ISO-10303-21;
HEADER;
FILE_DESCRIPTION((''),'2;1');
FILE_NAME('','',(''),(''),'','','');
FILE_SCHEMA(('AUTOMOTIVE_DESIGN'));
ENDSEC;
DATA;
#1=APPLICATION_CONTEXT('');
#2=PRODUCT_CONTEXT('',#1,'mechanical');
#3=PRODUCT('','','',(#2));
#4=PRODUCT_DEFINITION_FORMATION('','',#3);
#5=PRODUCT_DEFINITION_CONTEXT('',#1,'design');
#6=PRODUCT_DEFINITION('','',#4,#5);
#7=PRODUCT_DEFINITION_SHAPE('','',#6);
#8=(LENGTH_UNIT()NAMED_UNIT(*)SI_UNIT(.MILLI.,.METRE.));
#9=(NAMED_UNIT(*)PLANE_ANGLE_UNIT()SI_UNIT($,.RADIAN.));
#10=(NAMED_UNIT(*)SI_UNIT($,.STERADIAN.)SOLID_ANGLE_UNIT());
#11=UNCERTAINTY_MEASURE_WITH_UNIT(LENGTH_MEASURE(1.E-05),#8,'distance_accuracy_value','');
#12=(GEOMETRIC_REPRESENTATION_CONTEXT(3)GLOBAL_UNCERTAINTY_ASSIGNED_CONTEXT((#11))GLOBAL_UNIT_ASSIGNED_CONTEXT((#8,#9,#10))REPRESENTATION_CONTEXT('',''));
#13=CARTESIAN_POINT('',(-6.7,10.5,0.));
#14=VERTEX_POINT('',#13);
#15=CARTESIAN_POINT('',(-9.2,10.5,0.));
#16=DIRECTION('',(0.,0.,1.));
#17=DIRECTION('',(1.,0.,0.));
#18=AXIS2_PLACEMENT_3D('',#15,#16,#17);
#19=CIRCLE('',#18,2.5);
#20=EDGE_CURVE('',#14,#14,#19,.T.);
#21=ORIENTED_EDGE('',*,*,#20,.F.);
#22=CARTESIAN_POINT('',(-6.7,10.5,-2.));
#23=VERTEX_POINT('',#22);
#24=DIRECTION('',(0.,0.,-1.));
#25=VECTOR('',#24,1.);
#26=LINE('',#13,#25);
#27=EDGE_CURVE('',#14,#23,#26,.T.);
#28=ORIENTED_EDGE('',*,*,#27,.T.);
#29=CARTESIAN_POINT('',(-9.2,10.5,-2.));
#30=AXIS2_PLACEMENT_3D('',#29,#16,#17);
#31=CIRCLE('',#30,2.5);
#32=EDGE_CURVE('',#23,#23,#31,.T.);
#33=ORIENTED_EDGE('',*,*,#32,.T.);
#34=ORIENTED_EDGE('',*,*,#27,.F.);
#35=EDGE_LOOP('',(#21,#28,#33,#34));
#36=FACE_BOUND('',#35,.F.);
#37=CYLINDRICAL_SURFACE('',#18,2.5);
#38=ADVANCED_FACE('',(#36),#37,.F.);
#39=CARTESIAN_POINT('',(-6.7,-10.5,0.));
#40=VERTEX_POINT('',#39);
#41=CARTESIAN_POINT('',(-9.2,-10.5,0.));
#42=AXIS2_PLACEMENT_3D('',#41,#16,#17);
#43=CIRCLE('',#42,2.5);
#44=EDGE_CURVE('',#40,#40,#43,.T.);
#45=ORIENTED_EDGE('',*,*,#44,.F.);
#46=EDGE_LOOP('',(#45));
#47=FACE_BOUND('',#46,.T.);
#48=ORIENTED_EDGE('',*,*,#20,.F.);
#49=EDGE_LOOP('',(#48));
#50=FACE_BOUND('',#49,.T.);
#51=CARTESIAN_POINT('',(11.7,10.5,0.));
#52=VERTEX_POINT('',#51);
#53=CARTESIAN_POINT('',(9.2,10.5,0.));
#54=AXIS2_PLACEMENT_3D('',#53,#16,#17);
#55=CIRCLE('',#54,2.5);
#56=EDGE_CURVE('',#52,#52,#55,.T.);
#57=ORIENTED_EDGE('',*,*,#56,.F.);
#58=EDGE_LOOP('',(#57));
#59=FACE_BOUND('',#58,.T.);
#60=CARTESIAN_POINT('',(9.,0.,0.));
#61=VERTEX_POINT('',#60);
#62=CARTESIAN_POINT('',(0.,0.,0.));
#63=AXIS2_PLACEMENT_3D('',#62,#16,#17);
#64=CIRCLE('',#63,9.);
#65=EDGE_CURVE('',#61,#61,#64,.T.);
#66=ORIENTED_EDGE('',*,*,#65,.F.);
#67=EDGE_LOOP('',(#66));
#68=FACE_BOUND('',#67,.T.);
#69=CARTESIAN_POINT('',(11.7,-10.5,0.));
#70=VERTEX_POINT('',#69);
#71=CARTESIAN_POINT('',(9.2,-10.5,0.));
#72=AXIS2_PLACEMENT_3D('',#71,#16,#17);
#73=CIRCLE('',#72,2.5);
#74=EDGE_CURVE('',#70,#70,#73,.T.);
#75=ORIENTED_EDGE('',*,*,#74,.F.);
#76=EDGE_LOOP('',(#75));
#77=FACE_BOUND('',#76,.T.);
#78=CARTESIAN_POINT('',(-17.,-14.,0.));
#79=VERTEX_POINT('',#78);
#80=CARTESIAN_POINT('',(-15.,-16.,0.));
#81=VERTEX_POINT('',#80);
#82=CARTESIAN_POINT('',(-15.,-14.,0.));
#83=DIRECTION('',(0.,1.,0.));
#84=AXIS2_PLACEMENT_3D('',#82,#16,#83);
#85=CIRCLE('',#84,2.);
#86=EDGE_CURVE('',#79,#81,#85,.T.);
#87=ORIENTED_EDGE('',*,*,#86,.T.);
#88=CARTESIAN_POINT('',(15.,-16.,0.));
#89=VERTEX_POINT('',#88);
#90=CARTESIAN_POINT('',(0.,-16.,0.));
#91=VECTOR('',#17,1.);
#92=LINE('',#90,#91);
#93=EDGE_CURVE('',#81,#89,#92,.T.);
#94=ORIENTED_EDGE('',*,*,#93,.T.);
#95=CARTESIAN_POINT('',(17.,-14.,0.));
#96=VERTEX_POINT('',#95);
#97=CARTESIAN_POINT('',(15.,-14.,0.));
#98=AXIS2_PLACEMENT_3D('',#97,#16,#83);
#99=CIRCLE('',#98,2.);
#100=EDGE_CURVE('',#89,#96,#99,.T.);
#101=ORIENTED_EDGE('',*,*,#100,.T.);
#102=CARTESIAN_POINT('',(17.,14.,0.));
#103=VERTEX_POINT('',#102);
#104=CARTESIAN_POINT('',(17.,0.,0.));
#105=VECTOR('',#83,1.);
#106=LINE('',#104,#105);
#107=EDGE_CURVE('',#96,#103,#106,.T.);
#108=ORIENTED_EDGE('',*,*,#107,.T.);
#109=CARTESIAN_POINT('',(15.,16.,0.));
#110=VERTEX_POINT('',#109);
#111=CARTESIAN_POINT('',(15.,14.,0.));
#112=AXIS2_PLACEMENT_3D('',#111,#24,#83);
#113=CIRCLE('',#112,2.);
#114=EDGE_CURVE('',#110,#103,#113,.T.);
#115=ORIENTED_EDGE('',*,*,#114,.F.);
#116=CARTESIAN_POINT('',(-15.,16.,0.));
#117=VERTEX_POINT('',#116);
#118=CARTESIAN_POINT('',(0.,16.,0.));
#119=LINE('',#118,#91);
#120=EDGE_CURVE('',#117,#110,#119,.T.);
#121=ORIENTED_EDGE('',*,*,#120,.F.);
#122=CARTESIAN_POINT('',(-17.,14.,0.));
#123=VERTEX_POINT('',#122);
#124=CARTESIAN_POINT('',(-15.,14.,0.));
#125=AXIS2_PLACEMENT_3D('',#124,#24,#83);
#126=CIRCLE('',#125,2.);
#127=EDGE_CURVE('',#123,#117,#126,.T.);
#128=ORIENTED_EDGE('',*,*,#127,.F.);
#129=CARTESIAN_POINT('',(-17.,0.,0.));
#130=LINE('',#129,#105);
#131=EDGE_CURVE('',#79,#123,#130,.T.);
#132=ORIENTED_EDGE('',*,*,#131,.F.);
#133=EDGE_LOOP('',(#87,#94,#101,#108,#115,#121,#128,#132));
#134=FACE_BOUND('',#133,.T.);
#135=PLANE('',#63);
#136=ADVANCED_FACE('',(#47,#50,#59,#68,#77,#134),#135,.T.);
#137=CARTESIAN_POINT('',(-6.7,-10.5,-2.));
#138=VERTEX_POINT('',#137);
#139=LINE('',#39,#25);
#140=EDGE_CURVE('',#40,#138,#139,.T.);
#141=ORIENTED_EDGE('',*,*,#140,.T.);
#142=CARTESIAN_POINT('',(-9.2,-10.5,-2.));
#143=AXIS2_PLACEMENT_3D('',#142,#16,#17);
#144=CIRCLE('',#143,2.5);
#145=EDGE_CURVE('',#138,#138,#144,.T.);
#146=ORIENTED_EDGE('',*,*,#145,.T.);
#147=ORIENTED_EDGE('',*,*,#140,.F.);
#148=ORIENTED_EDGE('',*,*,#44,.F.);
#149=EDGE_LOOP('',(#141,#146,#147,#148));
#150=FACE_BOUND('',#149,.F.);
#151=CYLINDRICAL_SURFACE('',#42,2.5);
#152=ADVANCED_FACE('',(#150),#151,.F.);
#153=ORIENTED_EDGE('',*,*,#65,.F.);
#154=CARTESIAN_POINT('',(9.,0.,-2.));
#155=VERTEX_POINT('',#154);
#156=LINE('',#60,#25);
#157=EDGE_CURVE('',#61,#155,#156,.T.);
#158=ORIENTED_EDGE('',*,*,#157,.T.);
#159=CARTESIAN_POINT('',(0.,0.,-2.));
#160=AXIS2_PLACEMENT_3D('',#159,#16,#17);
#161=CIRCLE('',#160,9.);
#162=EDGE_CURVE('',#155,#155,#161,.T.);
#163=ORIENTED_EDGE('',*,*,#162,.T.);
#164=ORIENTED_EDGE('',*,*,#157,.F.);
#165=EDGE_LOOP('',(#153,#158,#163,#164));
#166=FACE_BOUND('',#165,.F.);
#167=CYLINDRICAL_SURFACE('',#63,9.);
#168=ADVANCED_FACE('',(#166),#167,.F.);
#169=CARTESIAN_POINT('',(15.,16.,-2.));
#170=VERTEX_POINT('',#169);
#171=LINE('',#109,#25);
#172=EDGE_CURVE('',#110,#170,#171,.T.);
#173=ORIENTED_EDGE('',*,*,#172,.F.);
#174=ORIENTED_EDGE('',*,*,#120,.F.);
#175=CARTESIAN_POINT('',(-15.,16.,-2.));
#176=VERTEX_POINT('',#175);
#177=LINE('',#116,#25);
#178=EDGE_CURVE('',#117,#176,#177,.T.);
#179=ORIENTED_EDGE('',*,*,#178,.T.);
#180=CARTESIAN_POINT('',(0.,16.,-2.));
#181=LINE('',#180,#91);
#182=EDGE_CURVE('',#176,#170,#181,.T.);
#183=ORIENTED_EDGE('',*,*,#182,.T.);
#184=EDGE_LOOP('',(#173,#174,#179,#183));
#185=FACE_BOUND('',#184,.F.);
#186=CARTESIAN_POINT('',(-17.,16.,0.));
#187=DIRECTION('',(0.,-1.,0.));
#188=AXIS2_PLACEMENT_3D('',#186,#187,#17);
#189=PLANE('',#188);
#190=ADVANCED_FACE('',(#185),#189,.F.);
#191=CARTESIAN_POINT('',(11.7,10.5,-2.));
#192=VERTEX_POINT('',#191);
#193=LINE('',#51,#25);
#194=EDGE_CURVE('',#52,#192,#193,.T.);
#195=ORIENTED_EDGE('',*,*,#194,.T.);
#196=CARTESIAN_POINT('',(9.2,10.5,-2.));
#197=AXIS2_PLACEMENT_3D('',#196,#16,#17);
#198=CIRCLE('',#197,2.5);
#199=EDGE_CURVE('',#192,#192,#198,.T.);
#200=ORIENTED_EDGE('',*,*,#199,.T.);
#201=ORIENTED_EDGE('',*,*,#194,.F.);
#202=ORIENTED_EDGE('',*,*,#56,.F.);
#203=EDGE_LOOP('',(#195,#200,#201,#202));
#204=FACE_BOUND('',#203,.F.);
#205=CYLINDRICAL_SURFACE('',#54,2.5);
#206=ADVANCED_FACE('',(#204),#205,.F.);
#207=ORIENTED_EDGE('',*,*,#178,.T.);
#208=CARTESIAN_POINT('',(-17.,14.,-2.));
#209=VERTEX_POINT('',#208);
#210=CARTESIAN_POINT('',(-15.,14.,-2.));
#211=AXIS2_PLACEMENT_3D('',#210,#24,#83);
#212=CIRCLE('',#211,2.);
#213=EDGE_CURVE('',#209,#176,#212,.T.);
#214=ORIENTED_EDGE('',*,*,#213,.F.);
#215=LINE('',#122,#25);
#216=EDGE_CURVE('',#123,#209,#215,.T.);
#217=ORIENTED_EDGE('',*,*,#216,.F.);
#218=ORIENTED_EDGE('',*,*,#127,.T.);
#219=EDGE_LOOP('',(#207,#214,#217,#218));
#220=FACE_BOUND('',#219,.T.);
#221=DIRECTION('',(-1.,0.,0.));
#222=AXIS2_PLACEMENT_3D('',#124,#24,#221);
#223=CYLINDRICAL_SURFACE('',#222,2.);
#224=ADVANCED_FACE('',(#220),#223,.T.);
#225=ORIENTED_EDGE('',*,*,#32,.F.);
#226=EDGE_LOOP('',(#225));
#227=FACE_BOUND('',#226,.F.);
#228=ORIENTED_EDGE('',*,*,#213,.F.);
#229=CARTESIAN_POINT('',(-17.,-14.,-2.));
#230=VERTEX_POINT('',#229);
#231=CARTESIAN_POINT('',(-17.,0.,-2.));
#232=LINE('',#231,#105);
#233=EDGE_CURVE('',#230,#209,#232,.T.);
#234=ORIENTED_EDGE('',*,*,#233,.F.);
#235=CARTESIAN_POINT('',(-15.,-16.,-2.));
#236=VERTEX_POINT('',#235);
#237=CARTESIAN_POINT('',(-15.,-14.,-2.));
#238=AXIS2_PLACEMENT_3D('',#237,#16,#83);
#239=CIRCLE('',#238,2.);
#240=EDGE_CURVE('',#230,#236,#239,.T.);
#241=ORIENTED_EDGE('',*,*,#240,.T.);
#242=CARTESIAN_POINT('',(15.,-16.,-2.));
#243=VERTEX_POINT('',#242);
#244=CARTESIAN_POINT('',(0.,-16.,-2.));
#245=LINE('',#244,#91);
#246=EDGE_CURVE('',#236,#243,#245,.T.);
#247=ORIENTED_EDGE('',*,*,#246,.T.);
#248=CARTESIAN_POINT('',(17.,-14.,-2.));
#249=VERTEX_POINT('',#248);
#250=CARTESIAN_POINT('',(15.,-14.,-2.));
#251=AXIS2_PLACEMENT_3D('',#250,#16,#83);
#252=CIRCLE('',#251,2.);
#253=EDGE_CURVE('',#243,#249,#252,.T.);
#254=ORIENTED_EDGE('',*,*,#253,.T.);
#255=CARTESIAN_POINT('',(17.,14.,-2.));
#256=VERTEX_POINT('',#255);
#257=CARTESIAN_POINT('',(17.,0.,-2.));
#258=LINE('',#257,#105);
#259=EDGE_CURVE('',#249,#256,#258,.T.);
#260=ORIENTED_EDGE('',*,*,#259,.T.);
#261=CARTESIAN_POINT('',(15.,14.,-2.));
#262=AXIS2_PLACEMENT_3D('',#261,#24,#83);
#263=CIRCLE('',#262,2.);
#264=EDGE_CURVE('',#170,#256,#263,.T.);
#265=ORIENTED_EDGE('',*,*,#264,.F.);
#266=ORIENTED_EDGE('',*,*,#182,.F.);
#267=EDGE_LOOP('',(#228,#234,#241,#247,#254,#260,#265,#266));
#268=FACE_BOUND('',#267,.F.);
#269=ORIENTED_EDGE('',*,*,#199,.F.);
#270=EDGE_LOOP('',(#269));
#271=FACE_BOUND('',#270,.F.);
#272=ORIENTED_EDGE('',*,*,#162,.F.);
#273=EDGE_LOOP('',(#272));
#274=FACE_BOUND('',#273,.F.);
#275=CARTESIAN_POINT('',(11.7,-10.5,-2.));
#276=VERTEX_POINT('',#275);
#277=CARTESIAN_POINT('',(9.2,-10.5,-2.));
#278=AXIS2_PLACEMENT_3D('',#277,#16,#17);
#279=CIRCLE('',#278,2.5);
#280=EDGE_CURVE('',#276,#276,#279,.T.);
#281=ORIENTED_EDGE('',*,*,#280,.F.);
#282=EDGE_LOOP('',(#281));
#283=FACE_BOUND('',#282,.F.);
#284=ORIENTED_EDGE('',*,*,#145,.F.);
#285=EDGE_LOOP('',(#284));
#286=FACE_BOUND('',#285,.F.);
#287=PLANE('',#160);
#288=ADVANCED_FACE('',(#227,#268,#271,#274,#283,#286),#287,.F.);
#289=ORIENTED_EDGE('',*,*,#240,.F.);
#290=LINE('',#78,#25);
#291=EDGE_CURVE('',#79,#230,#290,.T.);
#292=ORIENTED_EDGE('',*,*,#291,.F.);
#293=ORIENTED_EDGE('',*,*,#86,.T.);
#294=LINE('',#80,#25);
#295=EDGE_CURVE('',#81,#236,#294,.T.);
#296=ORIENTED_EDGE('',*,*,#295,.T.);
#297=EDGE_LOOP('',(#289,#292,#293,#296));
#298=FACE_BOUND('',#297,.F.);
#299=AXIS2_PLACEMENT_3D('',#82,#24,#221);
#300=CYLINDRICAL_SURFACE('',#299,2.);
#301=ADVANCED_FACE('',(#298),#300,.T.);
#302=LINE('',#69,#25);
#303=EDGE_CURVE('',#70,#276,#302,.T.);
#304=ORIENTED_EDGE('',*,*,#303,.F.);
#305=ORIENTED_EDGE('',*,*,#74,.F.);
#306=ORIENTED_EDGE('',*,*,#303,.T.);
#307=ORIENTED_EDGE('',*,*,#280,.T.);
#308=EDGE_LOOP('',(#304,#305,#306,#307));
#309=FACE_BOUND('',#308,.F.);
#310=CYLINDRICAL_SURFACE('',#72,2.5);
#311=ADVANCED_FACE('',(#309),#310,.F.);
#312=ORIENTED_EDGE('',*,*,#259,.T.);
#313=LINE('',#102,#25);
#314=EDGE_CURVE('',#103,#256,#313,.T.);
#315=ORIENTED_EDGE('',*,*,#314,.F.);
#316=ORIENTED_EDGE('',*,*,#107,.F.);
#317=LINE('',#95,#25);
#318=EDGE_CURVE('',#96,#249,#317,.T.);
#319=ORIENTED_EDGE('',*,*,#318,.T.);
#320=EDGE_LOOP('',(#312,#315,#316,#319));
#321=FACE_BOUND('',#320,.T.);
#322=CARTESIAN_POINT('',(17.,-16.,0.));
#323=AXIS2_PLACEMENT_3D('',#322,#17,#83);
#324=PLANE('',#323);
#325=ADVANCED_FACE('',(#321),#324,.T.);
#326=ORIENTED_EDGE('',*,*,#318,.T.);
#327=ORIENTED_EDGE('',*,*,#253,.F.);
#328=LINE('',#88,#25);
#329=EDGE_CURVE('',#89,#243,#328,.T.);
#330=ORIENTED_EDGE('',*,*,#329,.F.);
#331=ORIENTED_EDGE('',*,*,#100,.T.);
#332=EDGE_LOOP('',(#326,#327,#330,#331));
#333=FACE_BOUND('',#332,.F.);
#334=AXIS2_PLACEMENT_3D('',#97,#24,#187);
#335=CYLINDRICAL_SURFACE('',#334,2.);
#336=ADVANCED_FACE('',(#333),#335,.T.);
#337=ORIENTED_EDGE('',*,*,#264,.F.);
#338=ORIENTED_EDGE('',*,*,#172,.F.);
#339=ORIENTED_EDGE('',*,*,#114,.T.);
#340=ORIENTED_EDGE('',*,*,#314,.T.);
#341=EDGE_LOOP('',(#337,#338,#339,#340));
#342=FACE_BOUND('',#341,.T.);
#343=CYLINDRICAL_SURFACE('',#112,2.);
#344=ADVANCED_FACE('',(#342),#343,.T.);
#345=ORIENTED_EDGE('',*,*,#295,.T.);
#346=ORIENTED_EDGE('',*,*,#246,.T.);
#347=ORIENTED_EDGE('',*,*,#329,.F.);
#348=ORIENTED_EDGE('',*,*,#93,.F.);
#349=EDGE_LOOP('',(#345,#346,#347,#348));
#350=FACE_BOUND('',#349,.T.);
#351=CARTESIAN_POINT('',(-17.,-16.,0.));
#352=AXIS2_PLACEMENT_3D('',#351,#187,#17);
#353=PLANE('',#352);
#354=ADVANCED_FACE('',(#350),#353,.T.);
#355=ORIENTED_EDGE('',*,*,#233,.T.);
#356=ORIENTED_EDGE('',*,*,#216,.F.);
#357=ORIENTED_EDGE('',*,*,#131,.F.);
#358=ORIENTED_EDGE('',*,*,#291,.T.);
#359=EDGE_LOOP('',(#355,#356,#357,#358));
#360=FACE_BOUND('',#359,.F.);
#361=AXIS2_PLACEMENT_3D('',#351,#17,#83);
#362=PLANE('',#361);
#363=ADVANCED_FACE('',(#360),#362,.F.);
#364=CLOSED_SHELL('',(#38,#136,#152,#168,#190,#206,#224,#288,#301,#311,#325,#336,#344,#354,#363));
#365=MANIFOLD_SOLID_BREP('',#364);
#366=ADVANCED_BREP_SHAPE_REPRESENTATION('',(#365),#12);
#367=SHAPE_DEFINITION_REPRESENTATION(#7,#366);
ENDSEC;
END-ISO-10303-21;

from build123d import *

# Parameters (mm, degrees)
SKETCH001_W   = 34
SKETCH001_H   = 32
SKETCH001_R   = 2.5
SKETCH001_R_2 = 9
PAD001_DEPTH  = 2
FILLET_R      = 2


with BuildPart() as part:
    # Sketch001 → Pad001 (new body)
    with BuildSketch(Plane.XY):
        Rectangle(SKETCH001_W, SKETCH001_H)
        with Locations((-9.2, 10.5)):
            Circle(SKETCH001_R, mode=Mode.SUBTRACT)
        with Locations((9.2, 10.5)):
            Circle(SKETCH001_R, mode=Mode.SUBTRACT)
        with Locations((-9.2, -10.5)):
            Circle(SKETCH001_R, mode=Mode.SUBTRACT)
        with Locations((9.2, -10.5)):
            Circle(SKETCH001_R, mode=Mode.SUBTRACT)
        Circle(SKETCH001_R_2, mode=Mode.SUBTRACT)
    extrude(amount=-PAD001_DEPTH)

    # Fillet
    fillet_edges = [part.edges().sort_by_distance(p)[0] for p in [
        (17, -16, -1),
        (17, 16, -1),
        (-17, -16, -1),
        (-17, 16, -1),
    ]]
    fillet(fillet_edges, radius=FILLET_R)


solid = part.part
